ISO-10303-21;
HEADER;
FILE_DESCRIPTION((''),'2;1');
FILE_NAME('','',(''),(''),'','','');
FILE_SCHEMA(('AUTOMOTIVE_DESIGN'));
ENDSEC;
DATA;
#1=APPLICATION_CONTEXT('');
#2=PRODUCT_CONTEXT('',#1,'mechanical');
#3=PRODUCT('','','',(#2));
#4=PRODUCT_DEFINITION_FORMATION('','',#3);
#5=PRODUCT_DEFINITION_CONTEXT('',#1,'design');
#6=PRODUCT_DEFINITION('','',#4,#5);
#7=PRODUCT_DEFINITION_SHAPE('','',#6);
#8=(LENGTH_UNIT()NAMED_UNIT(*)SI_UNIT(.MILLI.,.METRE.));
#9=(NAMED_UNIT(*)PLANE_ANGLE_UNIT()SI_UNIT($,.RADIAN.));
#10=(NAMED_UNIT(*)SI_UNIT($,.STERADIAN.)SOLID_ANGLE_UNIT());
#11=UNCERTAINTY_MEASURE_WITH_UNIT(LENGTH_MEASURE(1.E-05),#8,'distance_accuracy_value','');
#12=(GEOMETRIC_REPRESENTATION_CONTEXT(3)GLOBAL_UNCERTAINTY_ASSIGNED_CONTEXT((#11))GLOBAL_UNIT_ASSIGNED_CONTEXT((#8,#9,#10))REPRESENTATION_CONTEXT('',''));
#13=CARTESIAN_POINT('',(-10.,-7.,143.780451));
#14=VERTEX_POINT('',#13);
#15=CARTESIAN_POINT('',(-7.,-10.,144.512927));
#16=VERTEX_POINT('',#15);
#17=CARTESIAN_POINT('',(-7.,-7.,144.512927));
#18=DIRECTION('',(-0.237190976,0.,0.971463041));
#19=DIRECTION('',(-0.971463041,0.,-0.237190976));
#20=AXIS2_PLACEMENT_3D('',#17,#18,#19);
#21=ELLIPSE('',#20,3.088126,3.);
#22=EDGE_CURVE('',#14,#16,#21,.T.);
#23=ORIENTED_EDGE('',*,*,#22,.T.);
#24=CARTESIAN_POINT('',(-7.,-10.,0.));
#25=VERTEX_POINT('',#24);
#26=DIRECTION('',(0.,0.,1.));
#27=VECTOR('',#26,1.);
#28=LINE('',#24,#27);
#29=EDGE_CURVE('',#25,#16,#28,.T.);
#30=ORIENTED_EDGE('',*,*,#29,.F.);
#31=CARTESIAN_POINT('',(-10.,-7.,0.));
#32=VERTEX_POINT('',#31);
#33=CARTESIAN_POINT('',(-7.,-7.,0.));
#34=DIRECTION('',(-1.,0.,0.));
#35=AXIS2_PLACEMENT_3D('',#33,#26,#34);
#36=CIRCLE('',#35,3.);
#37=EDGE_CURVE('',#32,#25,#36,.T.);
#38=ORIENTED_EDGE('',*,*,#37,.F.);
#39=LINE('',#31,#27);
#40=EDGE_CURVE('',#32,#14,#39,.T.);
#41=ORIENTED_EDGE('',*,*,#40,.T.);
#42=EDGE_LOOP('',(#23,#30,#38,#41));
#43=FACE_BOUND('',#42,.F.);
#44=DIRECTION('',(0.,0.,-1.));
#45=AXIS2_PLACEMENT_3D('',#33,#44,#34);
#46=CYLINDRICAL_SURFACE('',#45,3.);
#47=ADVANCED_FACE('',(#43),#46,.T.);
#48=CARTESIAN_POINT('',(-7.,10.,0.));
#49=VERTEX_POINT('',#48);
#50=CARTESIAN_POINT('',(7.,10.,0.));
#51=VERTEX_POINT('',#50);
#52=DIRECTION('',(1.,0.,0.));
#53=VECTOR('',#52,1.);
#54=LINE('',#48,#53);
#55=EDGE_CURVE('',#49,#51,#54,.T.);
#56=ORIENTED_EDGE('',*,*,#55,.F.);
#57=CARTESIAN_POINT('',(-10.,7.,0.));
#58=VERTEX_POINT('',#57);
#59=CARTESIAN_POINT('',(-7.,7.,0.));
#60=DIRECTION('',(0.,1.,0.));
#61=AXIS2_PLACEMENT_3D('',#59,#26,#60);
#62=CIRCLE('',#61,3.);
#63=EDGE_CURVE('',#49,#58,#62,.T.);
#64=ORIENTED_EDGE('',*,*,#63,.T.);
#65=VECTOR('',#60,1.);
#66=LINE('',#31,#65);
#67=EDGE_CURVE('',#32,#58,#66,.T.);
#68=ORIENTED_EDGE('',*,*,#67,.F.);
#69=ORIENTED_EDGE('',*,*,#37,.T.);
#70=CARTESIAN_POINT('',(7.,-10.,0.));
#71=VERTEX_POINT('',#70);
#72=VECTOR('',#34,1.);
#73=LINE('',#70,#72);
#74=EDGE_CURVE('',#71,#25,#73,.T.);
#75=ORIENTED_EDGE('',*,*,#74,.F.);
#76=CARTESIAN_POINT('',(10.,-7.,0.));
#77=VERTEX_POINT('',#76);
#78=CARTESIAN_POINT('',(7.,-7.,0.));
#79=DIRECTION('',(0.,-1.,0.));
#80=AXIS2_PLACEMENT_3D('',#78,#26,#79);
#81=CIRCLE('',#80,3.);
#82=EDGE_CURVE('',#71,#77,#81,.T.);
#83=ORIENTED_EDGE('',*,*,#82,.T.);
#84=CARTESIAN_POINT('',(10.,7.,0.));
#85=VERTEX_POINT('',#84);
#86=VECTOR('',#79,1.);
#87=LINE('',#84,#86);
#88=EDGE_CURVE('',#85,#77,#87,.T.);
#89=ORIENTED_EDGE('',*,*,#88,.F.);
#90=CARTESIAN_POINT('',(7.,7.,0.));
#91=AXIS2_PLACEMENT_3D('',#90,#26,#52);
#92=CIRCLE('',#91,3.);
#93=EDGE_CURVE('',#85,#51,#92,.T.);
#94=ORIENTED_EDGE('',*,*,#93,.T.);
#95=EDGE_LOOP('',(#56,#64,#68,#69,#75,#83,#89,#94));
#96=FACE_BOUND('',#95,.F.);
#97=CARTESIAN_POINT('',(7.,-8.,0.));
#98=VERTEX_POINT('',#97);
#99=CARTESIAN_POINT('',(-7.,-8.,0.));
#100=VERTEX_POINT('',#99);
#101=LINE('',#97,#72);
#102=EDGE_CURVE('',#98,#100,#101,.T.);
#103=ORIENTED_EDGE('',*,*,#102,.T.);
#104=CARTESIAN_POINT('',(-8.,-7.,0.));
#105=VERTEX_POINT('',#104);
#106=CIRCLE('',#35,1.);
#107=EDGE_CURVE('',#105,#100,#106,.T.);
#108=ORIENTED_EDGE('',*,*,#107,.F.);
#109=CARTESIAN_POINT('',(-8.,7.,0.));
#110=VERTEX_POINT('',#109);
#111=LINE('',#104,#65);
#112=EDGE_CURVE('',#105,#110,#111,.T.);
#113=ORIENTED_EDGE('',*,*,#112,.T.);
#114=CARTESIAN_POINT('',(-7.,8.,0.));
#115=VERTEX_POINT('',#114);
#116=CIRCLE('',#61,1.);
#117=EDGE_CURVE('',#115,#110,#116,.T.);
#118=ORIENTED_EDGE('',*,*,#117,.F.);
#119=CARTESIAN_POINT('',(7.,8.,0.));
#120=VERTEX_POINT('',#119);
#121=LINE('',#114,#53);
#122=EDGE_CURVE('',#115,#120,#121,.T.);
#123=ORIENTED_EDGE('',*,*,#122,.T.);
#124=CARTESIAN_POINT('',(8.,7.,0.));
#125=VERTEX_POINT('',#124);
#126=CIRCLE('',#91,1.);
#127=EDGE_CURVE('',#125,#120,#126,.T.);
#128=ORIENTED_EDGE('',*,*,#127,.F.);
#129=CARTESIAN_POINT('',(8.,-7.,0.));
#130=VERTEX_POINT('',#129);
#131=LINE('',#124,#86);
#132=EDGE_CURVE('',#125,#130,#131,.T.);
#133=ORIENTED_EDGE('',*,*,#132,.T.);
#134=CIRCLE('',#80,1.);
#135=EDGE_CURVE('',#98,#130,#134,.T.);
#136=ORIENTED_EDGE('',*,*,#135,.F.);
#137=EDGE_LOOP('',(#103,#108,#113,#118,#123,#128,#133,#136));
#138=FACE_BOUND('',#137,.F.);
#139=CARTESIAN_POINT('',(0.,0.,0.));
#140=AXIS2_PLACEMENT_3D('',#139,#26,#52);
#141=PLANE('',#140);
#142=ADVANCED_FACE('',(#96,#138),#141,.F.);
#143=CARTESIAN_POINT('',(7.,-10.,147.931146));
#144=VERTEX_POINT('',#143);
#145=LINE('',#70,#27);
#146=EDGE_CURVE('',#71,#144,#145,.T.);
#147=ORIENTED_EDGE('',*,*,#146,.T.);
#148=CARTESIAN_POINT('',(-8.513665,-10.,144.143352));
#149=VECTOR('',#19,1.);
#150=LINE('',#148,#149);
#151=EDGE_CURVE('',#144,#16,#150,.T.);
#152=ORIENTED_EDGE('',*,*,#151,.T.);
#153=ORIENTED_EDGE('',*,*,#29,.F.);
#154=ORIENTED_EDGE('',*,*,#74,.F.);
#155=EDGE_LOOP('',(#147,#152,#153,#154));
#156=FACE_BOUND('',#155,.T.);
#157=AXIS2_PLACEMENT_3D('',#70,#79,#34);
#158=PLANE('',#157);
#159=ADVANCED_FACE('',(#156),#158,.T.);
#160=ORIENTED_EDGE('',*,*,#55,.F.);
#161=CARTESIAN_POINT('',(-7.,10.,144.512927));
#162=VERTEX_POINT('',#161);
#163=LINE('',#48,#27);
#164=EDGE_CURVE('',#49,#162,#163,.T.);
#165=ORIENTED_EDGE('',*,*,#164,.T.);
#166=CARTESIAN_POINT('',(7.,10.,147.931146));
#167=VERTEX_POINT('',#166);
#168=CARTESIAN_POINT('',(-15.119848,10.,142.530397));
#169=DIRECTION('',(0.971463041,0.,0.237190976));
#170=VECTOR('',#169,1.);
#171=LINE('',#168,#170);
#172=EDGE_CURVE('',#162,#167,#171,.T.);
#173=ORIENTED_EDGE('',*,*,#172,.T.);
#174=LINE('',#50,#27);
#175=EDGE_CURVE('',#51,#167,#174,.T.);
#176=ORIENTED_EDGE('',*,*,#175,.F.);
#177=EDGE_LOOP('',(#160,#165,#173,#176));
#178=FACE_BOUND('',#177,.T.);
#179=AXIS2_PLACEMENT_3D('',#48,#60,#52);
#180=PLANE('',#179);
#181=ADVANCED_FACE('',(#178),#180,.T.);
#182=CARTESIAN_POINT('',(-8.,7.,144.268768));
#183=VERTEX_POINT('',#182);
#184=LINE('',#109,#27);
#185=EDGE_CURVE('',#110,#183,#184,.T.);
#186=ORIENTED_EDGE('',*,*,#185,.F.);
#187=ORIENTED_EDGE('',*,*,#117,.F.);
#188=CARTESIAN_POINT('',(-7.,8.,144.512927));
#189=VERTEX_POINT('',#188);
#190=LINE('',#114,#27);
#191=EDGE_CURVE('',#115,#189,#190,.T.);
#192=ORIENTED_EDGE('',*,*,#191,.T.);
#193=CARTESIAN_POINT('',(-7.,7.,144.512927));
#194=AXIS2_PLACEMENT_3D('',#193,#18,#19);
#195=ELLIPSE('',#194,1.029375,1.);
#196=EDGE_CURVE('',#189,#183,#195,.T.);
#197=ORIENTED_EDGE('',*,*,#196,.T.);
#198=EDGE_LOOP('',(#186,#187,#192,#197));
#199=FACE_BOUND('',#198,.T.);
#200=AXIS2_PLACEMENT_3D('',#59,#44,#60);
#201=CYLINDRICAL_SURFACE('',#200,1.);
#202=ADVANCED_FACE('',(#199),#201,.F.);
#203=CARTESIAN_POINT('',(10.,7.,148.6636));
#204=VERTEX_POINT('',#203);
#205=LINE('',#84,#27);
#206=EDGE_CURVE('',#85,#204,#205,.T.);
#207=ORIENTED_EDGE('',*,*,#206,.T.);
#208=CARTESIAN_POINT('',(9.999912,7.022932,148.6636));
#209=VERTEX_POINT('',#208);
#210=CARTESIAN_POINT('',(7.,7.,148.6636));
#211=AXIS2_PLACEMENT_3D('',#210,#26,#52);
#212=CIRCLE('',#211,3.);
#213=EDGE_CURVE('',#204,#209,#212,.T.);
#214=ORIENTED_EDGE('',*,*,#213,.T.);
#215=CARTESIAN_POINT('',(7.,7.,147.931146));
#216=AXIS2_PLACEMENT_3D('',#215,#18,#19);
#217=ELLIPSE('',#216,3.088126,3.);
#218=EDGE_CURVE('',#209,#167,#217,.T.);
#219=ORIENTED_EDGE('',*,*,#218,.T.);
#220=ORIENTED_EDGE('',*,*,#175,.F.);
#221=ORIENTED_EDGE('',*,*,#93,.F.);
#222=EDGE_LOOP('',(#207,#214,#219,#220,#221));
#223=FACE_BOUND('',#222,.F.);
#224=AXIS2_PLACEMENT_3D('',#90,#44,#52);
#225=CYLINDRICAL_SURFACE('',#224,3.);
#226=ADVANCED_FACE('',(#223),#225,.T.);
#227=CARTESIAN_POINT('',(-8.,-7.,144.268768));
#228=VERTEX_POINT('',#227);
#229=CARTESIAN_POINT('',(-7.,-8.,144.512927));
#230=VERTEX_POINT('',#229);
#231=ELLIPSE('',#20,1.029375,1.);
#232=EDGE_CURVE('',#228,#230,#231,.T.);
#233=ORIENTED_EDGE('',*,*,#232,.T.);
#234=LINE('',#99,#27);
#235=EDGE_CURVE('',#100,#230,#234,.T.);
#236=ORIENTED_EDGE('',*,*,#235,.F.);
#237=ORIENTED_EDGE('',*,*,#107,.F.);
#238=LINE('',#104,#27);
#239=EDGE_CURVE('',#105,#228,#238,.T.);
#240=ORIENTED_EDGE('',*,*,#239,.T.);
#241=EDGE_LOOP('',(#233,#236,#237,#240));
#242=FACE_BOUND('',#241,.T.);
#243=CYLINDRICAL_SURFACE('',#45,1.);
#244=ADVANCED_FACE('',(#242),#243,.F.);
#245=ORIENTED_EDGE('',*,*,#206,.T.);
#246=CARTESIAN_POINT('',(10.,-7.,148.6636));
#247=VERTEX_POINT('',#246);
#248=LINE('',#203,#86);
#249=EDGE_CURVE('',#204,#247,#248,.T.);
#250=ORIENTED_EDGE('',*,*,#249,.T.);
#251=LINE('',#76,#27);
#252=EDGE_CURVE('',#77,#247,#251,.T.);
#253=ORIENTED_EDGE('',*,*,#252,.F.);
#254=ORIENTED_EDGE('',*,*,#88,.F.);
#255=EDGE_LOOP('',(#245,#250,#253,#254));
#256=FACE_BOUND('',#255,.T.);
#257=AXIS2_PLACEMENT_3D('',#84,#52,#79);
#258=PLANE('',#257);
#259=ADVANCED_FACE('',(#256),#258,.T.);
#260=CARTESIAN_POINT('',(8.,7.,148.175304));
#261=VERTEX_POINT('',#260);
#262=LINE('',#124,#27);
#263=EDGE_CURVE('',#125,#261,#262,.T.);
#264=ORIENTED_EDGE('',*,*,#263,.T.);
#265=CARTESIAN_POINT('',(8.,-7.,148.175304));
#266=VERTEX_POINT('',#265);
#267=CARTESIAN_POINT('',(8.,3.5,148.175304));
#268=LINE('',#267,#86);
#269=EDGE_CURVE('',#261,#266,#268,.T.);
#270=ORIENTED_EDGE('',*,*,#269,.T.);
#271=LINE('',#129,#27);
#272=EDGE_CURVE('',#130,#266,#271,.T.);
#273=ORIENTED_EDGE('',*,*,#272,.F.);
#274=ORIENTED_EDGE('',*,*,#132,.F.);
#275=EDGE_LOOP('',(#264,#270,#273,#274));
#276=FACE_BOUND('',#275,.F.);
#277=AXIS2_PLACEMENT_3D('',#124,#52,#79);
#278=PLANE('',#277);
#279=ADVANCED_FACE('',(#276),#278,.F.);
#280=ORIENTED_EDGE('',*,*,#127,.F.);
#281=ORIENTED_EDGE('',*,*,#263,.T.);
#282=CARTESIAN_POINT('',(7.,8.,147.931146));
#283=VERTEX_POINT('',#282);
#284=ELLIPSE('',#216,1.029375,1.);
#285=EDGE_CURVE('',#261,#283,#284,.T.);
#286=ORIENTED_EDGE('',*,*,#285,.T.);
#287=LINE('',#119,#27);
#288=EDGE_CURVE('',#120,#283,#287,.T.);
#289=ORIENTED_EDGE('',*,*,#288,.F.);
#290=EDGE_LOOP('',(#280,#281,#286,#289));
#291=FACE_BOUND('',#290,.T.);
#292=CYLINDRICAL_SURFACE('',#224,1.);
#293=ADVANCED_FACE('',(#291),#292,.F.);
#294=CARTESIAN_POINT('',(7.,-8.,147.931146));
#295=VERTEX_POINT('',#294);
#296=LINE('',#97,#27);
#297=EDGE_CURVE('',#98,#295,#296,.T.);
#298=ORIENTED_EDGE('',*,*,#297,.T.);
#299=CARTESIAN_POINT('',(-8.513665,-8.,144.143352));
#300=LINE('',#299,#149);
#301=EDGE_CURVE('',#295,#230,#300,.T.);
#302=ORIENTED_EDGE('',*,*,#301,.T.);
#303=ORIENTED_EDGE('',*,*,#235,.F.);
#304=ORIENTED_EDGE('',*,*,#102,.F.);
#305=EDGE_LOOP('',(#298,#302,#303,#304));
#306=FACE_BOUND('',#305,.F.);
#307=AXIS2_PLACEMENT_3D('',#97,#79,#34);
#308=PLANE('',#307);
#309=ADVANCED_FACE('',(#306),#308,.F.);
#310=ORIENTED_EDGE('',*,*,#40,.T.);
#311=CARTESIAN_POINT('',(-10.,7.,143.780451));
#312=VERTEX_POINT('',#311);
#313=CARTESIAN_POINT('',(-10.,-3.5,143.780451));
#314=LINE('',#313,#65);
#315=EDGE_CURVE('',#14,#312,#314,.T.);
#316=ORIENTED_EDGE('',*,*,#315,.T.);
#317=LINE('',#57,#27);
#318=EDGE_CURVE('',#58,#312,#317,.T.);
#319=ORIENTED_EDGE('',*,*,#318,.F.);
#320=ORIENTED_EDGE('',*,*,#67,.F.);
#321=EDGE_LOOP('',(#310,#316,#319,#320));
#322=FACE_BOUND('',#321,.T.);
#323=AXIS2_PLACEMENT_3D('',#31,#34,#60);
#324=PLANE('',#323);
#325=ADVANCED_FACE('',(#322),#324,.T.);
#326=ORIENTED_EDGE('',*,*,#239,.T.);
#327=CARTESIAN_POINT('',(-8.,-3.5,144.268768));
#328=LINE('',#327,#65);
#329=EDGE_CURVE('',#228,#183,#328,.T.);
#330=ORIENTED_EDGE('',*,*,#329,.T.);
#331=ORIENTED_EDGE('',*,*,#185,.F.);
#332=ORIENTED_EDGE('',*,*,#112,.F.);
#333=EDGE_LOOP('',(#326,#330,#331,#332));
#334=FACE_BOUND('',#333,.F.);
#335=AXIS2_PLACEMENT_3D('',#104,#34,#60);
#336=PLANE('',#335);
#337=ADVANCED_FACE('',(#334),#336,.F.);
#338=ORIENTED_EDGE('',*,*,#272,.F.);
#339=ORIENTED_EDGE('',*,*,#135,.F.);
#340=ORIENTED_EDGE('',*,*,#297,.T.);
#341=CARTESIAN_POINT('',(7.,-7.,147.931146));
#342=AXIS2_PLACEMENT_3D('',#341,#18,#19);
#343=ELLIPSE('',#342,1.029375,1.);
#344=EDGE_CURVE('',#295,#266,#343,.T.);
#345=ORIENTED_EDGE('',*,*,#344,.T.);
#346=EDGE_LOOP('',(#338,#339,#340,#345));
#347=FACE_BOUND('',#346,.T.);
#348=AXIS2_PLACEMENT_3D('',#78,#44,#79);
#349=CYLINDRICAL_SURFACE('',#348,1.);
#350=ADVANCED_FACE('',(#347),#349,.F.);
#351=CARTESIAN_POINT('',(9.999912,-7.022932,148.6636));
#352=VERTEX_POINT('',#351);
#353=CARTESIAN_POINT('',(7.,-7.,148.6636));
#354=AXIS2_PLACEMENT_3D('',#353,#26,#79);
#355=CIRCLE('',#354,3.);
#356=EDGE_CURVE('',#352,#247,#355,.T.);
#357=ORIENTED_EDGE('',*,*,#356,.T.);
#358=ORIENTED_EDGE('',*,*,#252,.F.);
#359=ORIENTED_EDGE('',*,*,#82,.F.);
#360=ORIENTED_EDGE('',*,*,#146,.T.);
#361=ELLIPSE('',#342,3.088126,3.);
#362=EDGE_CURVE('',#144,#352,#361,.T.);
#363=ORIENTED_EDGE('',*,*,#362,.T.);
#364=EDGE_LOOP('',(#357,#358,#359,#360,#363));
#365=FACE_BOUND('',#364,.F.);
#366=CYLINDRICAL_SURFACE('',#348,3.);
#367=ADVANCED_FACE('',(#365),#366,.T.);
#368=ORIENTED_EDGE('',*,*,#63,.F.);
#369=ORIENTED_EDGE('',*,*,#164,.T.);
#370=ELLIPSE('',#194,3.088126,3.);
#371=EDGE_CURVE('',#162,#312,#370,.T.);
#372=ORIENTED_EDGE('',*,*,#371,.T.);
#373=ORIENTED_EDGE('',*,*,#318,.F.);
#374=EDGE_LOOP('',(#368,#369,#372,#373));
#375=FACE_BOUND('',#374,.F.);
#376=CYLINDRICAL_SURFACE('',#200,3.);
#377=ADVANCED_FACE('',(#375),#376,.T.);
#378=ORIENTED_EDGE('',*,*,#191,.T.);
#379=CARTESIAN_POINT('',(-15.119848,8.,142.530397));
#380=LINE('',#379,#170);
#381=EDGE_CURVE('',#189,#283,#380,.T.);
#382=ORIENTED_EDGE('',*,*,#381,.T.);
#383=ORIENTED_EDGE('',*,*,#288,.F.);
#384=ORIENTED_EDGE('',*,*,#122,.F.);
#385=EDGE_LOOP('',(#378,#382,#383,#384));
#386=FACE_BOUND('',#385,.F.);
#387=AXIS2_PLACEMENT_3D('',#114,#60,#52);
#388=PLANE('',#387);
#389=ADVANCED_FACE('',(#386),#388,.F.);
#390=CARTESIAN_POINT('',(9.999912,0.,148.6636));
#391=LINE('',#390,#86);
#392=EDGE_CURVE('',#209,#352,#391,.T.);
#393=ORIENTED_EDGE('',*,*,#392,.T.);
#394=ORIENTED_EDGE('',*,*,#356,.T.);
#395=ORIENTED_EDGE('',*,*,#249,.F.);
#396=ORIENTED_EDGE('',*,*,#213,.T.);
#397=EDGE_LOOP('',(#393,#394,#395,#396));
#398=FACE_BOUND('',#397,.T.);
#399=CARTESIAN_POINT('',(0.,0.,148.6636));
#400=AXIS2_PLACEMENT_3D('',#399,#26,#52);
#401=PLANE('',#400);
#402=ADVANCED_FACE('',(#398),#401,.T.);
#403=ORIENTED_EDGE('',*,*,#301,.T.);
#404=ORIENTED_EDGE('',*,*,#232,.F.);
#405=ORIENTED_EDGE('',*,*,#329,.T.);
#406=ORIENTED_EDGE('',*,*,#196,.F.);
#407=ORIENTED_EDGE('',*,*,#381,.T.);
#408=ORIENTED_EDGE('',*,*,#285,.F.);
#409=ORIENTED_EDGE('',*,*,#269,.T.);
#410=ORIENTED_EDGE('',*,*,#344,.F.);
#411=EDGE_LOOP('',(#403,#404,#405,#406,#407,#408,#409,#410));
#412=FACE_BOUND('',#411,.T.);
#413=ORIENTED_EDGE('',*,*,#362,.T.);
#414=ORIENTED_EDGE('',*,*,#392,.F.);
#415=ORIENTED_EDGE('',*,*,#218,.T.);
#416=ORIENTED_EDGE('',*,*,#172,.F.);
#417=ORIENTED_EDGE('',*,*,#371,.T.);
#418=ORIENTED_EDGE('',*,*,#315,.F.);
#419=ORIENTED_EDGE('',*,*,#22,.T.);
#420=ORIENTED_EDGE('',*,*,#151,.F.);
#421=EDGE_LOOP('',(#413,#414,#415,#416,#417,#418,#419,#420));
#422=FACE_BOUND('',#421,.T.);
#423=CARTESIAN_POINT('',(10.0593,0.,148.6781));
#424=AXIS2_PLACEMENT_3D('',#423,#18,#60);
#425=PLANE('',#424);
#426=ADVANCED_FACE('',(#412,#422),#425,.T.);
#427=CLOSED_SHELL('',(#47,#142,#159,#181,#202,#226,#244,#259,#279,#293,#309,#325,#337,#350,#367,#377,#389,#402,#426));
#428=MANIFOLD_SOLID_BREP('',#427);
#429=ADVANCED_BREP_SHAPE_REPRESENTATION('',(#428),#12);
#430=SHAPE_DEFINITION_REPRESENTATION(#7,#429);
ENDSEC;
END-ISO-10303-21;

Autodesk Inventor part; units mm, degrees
ref_plane "Start Plane" through (0, 0, 0) normal (0, 0, 1) x (1, 0, 0)
ref_plane "End Plane" through (0, 0, 148.6636) normal (0, 0, 1) x (1, 0, 0)
sketch "Sketch" plane through (0, 0, 0) normal (0, 0, 1) x (1, 0, 0)
  line L0 (-10, -7) -> (-10, 7)
  line L1 (-7, 10) -> (7, 10)
  line L2 (10, 7) -> (10, -7)
  line L3 (7, -10) -> (-7, -10)
  arc A0 (-10, -7) -> (-7, -10) centre (-7, -7) ccw
  arc A1 (-7, 10) -> (-10, 7) centre (-7, 7) ccw
  arc A2 (10, 7) -> (7, 10) centre (7, 7) ccw
  arc A3 (7, -10) -> (10, -7) centre (7, -7) ccw
  arc A4 (-7, 8) -> (-8, 7) centre (-7, 7) ccw
  line L4 (-7, 8) -> (7, 8)
  arc A5 (8, 7) -> (7, 8) centre (7, 7) ccw
  line L5 (8, 7) -> (8, -7)
  arc A6 (7, -8) -> (8, -7) centre (7, -7) ccw
  line L6 (7, -8) -> (-7, -8)
  arc A7 (-8, -7) -> (-7, -8) centre (-7, -7) ccw
  line L7 (-8, -7) -> (-8, 7)
  line L8 (0, 14.8698) -> (0, -14.8698) construction
  line L9 (-14.8698, 0) -> (14.8698, 0) construction
  dimension "d7" = 3
  dimension "d10" = 20
  dimension "d11" = 20
  dimension "d12" = 2
  dimension "d15" = 10
  dimension "d16" = 10
extrude "Body" add sketch "Sketch" along normal up to surface (148.6636 mm away) from surface at 0
sketch "Sketch3" plane through (0, 0, 0) normal (0, 0, 1) x (1, 0, 0)
  line L0 (0, 0) -> (10, 0)
ref_plane "Work Plane3" through (0, 0, 0) normal (0, -1, 0) x (1, 0, 0)
sketch "Sketch4" plane through (0, 0, 0) normal (0, -1, 0) x (1, 0, 0)
  line L0 (-2, 0) -> (12, 0)
  line L1 (-2, 148.6636) -> (12, 148.6636)
  dimension "d18" = 148.6636
ref_plane "Work Plane4" through (10.0593, 0, 148.6781) normal (-0.2372, 0, 0.9715) x (0.9715, 0, 0.2372)
split "Split1" plane through (10.0593, 0, 148.6781) removes the side toward (-0.2372, 0, 0.9715)
equation "\"d7\" = G_IR"
equation "\"d10\" = G_H"
equation "\"d11\" = G_W"
equation "\"d12\" = G_T"
equation "\"d15\" = 0.5 * d10"
equation "\"d16\" = 0.5 * d11"
equation "\"d3\" = G_L"
equation "\"G_W\" = 20"
equation "\"G_H\" = 20"
equation "\"G_T\" = 2"
equation "\"G_IR\" = 3"
equation "\"G_L\" = d18"
equation "\"G_OFFSET_START\" = 0"
equation "\"G_OFFSET_END\" = 2.18407"
equation "\"d14\" = G_OFFSET_END + B_L"
equation "\"B_L\" = 146.47952"
properties part number "ISO 12633-2 - 20x20x2 - 148.66" material "Steel, Mild"
